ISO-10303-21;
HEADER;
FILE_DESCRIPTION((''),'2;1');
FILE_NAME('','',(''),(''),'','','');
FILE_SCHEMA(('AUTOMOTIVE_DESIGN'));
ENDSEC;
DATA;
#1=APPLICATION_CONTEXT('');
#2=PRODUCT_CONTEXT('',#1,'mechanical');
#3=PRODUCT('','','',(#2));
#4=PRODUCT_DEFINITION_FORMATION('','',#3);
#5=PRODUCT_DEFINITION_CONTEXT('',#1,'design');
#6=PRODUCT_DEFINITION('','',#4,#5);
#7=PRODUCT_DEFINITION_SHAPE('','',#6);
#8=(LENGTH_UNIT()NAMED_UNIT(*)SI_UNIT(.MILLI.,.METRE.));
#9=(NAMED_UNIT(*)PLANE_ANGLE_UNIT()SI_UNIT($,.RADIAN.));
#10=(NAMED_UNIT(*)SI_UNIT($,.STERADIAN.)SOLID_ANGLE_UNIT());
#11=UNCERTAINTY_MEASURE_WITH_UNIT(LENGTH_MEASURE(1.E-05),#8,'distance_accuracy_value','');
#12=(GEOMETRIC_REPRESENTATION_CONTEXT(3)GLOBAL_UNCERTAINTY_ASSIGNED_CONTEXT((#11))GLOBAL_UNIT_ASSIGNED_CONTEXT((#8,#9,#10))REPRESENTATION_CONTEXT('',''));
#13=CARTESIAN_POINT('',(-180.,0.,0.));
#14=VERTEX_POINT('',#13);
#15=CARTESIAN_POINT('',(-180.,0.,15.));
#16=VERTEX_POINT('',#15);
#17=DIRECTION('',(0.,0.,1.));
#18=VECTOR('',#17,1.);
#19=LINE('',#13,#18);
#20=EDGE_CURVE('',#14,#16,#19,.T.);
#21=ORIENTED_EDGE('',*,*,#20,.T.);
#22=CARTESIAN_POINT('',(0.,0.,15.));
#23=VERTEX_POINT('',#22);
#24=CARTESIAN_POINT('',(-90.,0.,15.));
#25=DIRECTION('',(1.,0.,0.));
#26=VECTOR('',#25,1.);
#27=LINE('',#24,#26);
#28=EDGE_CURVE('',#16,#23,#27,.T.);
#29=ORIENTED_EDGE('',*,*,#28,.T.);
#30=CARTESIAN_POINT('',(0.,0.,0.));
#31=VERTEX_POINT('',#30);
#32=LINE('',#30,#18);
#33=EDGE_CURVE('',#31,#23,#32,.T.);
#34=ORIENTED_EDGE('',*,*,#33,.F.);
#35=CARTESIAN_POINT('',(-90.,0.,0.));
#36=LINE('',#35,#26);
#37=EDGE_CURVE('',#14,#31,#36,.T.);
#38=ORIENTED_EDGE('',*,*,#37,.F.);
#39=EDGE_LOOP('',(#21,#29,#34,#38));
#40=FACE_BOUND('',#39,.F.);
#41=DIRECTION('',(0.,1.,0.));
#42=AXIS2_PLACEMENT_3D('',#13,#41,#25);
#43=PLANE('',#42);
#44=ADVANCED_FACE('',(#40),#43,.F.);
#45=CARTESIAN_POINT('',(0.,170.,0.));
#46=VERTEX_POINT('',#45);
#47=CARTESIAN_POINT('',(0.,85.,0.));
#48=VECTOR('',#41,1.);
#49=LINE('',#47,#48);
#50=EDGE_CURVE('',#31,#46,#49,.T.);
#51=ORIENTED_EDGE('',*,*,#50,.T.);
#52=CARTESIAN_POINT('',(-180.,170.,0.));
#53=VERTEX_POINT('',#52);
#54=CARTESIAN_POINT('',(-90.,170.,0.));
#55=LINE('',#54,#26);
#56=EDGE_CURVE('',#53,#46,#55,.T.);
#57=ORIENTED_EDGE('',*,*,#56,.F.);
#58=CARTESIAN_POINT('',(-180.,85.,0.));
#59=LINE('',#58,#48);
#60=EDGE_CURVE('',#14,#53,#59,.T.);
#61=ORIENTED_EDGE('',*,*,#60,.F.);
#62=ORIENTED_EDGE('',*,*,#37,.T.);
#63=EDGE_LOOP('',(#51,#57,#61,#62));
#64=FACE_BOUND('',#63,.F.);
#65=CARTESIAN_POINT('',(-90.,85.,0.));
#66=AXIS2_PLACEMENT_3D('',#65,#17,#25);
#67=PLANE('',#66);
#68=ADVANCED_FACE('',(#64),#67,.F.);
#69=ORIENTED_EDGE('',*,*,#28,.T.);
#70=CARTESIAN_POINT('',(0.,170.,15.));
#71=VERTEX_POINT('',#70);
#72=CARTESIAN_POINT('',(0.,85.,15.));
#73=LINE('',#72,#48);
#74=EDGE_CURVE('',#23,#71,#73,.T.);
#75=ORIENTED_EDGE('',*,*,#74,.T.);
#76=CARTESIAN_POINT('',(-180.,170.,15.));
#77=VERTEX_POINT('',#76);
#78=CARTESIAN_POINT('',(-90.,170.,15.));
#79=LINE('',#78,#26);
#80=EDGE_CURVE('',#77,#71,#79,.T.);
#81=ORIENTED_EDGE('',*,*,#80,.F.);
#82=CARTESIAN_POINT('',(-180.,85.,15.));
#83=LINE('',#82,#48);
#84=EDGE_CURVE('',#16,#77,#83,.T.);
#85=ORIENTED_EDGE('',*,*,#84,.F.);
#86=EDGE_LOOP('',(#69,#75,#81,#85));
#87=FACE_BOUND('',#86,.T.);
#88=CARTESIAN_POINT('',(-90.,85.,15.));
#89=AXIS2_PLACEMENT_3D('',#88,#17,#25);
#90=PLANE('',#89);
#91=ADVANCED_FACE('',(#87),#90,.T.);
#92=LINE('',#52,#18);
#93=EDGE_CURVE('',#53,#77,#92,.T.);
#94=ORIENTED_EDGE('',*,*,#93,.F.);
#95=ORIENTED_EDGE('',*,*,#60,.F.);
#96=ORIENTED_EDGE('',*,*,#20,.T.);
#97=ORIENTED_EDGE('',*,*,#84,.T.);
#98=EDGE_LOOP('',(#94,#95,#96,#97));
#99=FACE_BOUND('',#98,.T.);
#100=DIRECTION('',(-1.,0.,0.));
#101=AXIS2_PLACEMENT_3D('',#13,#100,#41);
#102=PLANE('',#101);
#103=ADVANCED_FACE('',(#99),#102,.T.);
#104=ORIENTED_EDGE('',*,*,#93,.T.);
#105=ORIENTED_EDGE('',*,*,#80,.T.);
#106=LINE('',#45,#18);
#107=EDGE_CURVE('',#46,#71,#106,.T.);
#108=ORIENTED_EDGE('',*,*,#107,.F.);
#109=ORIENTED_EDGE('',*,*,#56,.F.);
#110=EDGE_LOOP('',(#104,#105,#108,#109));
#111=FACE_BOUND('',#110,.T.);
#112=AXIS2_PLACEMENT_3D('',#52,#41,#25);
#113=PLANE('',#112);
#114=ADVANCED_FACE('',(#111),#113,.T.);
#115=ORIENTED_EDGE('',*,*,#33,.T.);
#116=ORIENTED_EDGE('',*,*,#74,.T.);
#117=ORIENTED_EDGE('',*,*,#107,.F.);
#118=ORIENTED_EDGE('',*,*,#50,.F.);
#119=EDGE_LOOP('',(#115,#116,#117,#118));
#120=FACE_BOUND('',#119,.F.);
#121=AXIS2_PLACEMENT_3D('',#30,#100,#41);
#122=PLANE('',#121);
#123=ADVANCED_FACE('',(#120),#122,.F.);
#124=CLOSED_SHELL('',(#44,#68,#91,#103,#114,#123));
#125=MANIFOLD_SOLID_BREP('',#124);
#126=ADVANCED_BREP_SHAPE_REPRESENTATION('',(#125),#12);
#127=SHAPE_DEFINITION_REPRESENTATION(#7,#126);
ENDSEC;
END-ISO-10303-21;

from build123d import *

# Parameters (mm, degrees)
SKETCH_W  = 180
SKETCH_H  = 170
PAD_DEPTH = 15


with BuildPart() as part:
    # Sketch → Pad (new body)
    with BuildSketch(Plane.XY):
        with Locations((-90, 85)):
            Rectangle(SKETCH_W, SKETCH_H)
    extrude(amount=PAD_DEPTH)


solid = part.part
